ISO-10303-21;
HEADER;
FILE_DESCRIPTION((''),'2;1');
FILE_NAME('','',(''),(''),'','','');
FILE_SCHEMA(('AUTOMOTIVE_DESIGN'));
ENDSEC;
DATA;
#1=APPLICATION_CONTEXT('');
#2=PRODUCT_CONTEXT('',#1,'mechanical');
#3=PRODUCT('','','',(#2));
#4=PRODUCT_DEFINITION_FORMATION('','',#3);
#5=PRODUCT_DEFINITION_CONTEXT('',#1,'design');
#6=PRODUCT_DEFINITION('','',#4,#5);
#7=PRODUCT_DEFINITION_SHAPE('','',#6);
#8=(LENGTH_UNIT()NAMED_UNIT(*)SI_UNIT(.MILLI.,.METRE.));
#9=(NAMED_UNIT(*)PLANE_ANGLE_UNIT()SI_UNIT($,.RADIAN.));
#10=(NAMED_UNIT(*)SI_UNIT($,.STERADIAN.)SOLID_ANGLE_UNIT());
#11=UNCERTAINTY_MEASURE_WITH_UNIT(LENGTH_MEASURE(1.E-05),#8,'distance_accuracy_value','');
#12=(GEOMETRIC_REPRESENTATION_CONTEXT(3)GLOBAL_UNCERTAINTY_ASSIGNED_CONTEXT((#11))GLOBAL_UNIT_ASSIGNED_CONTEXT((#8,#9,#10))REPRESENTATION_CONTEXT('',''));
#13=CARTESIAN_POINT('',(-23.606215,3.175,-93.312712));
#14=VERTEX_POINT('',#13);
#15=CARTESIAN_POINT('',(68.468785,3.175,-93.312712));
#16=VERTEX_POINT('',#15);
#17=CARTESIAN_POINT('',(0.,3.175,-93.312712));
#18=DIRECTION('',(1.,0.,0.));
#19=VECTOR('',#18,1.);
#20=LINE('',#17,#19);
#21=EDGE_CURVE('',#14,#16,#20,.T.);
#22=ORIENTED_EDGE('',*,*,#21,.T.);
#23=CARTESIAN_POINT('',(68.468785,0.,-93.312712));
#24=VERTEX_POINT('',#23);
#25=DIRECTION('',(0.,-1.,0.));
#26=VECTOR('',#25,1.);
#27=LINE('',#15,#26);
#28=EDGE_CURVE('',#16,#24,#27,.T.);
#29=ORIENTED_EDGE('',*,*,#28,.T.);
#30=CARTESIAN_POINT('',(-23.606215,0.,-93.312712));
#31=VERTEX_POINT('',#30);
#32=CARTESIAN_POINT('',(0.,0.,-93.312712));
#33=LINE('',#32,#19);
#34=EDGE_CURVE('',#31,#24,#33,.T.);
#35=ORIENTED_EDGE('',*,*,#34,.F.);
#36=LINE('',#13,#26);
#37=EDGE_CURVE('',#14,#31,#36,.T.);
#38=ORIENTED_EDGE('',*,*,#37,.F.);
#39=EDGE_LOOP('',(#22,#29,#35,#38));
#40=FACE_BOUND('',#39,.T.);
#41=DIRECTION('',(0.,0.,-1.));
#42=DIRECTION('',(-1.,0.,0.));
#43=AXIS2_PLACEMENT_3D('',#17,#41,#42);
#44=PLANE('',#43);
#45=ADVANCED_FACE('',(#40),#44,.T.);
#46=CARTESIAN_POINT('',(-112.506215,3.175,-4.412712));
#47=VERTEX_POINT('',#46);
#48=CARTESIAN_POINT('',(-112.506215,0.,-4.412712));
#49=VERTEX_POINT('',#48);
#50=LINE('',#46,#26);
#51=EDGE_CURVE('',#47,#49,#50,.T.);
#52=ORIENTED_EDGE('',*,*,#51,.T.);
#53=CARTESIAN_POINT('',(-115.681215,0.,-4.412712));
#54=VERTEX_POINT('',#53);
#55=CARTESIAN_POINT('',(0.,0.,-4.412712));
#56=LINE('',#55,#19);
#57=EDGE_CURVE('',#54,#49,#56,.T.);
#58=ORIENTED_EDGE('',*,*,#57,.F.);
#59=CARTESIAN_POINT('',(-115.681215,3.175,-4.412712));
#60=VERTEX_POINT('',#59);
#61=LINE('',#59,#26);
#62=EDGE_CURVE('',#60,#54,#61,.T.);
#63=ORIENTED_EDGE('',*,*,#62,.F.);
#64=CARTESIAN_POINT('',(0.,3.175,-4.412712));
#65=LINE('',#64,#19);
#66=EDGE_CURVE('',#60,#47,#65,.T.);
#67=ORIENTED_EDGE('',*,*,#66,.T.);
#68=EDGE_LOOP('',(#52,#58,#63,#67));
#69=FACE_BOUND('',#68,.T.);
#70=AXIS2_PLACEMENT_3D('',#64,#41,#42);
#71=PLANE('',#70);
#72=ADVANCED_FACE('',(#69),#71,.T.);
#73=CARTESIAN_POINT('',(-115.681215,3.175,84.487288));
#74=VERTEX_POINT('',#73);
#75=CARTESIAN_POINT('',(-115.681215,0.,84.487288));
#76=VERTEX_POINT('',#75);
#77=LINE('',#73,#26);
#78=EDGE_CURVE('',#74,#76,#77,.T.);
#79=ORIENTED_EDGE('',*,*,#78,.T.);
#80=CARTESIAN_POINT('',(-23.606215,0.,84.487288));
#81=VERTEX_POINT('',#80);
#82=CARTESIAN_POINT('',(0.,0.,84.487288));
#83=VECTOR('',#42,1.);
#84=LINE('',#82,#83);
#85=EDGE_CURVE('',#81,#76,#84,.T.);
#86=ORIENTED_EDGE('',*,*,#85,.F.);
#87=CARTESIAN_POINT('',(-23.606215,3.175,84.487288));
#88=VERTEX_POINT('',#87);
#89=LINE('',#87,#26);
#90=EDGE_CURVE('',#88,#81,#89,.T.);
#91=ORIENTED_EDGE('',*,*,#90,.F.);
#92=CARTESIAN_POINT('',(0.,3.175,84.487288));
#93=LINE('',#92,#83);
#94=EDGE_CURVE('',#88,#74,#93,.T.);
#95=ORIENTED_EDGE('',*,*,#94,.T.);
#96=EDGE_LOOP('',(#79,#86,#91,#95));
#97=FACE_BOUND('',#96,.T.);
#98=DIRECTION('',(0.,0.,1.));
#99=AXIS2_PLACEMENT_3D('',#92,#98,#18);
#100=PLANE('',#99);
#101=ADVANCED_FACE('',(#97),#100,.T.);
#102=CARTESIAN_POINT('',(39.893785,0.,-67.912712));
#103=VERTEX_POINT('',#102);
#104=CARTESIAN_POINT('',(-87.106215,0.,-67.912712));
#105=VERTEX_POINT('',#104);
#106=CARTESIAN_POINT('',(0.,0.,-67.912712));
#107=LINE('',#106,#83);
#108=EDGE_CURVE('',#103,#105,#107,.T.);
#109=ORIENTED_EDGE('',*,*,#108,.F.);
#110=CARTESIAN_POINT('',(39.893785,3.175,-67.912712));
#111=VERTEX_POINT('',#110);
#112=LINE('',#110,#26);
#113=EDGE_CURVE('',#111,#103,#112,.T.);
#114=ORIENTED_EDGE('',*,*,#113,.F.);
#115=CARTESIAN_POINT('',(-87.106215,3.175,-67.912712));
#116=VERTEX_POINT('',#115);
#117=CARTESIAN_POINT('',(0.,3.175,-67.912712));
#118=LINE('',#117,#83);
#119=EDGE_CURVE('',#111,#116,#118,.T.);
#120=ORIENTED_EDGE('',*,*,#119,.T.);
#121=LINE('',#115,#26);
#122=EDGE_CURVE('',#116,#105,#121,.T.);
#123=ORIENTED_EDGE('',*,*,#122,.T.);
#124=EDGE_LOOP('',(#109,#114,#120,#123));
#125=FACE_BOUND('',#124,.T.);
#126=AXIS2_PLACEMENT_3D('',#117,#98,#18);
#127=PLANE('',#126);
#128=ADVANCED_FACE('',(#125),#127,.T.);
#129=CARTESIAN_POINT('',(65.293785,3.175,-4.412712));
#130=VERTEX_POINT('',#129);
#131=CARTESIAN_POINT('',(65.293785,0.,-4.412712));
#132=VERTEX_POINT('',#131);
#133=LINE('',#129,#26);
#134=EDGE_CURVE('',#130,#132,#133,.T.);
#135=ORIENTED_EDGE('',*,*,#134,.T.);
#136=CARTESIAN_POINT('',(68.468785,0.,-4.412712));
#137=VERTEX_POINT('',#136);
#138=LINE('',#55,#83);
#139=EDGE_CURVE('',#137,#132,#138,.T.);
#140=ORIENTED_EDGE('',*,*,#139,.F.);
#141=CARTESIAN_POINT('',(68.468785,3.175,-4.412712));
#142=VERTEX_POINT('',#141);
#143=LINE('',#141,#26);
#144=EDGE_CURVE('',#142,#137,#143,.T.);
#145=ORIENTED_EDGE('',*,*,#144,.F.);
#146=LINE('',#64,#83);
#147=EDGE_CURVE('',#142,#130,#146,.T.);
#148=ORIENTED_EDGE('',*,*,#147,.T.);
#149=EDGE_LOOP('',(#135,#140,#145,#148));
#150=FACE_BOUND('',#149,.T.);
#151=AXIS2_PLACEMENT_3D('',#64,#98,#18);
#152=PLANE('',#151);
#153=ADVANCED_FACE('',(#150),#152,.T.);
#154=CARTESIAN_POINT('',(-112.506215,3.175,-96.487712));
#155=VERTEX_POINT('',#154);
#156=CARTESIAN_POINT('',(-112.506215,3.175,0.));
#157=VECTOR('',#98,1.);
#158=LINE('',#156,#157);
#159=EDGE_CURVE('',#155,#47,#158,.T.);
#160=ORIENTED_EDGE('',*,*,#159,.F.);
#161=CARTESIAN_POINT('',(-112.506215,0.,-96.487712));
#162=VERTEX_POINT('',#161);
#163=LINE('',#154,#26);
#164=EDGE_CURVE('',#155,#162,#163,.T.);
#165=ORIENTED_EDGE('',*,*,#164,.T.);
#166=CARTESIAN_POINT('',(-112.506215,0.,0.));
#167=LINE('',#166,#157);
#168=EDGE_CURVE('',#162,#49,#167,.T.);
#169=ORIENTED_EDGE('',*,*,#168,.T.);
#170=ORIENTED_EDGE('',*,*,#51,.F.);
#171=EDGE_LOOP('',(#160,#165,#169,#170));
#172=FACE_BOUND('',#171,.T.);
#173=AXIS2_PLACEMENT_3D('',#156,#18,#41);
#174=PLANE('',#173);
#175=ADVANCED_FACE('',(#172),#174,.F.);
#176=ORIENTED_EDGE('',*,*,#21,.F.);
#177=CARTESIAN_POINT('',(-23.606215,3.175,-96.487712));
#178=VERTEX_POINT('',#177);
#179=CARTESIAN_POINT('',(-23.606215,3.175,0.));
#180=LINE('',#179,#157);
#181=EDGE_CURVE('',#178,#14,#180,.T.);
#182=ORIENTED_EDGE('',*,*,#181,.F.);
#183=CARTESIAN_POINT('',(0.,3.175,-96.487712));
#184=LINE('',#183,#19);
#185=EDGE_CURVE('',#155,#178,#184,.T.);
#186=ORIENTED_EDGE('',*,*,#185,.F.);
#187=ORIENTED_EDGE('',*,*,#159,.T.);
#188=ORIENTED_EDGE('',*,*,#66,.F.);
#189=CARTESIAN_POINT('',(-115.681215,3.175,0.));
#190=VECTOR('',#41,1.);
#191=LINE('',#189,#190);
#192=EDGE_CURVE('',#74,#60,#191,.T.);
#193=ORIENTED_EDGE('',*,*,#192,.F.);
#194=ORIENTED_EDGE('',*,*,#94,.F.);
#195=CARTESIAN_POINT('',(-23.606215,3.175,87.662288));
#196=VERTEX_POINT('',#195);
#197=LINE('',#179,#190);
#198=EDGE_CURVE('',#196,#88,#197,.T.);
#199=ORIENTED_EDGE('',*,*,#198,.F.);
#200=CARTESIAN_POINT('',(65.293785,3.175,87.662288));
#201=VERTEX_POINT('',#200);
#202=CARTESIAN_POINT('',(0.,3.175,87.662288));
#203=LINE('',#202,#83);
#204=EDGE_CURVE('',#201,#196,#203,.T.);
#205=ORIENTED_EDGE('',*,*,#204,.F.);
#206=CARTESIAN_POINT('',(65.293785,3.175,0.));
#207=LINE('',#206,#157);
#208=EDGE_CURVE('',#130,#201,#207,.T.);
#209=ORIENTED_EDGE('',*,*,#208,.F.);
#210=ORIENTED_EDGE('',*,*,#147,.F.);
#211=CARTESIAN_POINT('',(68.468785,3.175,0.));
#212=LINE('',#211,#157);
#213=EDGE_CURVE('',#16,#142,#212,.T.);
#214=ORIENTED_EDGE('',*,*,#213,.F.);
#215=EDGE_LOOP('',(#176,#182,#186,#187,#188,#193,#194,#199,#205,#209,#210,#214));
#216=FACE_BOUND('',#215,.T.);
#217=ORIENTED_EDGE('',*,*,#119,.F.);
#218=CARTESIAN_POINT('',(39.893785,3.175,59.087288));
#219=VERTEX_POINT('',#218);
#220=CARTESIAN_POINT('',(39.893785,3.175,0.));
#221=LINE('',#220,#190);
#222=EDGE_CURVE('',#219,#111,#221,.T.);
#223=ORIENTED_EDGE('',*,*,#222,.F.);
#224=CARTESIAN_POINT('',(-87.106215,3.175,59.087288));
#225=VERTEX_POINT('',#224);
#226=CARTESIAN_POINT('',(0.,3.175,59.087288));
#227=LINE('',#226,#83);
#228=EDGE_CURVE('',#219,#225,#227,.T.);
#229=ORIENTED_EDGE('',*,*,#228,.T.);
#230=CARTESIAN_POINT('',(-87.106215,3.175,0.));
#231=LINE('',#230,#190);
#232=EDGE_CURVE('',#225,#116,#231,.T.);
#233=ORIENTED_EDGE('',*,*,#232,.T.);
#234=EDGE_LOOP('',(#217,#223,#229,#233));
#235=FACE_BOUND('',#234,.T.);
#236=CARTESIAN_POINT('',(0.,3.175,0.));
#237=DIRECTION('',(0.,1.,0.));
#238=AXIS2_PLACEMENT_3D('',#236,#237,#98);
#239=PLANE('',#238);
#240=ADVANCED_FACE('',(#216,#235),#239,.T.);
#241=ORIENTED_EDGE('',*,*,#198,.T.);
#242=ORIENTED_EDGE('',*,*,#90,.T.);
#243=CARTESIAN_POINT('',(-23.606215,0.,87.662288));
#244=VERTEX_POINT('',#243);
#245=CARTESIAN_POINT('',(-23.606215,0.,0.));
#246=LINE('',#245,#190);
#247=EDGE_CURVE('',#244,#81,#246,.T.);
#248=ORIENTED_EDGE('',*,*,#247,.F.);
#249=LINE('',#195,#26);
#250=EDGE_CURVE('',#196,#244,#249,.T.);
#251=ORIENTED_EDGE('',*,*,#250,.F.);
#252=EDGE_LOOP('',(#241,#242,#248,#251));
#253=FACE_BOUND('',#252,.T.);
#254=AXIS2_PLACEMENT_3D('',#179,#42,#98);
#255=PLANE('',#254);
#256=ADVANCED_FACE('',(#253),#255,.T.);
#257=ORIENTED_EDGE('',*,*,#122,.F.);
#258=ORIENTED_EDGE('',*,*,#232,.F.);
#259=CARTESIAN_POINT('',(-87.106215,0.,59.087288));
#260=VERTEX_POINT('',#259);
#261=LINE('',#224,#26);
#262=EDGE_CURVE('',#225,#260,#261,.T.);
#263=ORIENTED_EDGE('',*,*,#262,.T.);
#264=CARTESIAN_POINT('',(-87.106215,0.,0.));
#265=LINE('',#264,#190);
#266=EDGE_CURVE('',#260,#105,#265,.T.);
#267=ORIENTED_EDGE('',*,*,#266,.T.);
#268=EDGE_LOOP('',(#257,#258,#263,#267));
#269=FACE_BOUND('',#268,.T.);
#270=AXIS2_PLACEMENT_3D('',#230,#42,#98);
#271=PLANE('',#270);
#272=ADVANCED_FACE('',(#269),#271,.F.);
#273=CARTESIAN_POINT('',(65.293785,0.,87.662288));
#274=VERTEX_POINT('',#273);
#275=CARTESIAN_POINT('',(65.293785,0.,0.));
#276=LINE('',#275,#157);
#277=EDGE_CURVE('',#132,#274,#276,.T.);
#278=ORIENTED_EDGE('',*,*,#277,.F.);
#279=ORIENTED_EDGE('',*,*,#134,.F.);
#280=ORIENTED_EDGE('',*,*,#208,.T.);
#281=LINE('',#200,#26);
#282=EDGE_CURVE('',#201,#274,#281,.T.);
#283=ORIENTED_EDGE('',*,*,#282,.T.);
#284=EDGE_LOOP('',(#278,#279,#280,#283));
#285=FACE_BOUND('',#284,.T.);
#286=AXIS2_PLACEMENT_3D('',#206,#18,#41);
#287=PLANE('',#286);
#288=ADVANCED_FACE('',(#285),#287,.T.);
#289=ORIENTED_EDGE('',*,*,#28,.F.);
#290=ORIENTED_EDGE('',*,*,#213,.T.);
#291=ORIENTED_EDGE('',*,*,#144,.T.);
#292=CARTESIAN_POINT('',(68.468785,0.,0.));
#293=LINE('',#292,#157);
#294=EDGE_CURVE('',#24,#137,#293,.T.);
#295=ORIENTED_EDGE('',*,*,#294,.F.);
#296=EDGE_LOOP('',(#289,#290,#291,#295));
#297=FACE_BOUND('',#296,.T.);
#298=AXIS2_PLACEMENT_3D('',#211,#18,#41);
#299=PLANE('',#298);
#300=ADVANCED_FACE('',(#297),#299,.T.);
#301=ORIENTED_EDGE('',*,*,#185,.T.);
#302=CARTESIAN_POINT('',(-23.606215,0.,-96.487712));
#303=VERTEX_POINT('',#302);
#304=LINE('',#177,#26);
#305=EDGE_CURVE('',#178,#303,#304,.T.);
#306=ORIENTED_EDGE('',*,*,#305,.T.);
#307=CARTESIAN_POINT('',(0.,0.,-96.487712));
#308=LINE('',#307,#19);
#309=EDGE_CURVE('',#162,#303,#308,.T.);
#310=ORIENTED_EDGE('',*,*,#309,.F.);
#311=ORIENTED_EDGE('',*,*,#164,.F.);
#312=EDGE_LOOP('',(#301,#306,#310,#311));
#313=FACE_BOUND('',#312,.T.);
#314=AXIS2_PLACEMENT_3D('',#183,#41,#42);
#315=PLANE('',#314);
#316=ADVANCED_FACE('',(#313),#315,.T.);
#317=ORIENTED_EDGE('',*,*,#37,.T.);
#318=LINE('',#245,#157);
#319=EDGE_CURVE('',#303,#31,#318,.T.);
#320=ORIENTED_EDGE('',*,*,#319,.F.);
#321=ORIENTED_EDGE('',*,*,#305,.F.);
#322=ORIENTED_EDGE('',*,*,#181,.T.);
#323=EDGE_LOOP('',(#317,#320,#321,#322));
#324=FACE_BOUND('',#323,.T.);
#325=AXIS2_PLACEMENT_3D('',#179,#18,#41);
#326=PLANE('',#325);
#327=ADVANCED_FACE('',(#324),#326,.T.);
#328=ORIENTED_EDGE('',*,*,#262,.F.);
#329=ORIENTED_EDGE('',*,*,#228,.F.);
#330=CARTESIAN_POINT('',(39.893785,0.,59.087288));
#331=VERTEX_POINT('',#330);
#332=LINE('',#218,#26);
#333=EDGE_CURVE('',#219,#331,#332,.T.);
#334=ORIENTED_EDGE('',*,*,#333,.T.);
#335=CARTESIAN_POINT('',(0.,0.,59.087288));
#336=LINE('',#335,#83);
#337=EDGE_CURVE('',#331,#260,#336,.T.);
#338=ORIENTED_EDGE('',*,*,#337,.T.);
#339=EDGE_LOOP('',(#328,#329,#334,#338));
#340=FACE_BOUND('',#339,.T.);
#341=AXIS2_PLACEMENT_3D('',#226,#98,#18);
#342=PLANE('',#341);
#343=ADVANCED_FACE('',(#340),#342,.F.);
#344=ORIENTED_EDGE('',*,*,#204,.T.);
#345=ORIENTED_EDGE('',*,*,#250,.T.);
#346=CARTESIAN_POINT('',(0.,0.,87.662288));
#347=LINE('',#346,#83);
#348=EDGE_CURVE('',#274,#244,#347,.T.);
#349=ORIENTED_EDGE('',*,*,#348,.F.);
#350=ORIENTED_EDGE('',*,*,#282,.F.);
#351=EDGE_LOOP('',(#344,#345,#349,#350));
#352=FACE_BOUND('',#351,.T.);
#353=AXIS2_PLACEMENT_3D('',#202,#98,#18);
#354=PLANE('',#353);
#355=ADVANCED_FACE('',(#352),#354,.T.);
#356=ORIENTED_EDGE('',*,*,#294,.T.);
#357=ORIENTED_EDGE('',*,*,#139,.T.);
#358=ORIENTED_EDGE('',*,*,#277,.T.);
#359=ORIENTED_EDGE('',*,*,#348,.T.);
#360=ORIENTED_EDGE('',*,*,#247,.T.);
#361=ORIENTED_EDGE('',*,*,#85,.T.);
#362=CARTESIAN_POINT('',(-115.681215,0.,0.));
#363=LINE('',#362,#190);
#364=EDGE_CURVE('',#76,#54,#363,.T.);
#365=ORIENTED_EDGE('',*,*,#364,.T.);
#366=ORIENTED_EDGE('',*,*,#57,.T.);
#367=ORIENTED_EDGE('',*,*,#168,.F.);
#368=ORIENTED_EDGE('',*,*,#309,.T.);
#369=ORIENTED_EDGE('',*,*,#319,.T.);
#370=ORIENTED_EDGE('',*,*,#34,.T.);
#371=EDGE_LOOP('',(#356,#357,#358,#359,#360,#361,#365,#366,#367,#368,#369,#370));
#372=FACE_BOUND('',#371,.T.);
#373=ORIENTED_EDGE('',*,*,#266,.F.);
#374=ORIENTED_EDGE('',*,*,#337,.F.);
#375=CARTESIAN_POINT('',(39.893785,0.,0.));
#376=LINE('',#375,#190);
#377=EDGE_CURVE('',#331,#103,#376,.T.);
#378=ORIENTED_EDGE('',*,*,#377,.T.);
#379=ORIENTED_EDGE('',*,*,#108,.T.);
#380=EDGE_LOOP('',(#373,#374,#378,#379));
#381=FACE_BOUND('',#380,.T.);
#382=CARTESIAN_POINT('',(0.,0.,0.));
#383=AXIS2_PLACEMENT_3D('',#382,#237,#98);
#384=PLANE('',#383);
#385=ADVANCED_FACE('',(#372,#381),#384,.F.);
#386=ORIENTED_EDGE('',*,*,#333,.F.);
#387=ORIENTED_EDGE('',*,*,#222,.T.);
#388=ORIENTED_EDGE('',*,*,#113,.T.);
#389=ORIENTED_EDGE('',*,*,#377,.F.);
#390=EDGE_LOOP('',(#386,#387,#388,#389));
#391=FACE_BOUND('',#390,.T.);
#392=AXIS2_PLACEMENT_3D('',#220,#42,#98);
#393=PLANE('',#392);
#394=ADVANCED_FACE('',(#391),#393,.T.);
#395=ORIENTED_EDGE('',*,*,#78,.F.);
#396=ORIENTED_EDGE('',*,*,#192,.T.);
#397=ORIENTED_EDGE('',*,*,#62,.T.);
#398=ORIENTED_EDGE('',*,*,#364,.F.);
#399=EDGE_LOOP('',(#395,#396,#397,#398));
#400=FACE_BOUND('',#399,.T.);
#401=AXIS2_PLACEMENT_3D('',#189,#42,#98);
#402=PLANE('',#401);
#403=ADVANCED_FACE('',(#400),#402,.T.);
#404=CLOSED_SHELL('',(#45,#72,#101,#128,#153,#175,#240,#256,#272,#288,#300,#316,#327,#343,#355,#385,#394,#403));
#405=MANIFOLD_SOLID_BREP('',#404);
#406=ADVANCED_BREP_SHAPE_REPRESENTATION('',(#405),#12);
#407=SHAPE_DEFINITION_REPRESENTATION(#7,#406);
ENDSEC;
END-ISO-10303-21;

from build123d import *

# Parameters (mm, degrees)
SKETCH1_W           = 127
SKETCH1_H           = 127
BOSS_EXTRUDE1_DEPTH = 3.175


with BuildPart() as part:
    # Sketch1 → Boss-Extrude1 (new body)
    with BuildSketch(Plane(origin=(0, 0, 0), x_dir=(1, 0, 0), z_dir=(0, 1, 0))):
        Polygon((-112.506214689, 96.487711864), (-112.506214689, 4.412711864), (-115.681214689, 4.412711864), (-115.681214689, -84.487288136), (-23.606214689, -84.487288136), (-23.606214689, -87.662288136), (65.293785311, -87.662288136), (65.293785311, 4.412711864), (68.468785311, 4.412711864), (68.468785311, 93.312711864), (-23.606214689, 93.312711864), (-23.606214689, 96.487711864), align=None)
        with Locations((-23.606214689, 4.412711864)):
            Rectangle(SKETCH1_W, SKETCH1_H, mode=Mode.SUBTRACT)
    extrude(amount=BOSS_EXTRUDE1_DEPTH)


solid = part.part
